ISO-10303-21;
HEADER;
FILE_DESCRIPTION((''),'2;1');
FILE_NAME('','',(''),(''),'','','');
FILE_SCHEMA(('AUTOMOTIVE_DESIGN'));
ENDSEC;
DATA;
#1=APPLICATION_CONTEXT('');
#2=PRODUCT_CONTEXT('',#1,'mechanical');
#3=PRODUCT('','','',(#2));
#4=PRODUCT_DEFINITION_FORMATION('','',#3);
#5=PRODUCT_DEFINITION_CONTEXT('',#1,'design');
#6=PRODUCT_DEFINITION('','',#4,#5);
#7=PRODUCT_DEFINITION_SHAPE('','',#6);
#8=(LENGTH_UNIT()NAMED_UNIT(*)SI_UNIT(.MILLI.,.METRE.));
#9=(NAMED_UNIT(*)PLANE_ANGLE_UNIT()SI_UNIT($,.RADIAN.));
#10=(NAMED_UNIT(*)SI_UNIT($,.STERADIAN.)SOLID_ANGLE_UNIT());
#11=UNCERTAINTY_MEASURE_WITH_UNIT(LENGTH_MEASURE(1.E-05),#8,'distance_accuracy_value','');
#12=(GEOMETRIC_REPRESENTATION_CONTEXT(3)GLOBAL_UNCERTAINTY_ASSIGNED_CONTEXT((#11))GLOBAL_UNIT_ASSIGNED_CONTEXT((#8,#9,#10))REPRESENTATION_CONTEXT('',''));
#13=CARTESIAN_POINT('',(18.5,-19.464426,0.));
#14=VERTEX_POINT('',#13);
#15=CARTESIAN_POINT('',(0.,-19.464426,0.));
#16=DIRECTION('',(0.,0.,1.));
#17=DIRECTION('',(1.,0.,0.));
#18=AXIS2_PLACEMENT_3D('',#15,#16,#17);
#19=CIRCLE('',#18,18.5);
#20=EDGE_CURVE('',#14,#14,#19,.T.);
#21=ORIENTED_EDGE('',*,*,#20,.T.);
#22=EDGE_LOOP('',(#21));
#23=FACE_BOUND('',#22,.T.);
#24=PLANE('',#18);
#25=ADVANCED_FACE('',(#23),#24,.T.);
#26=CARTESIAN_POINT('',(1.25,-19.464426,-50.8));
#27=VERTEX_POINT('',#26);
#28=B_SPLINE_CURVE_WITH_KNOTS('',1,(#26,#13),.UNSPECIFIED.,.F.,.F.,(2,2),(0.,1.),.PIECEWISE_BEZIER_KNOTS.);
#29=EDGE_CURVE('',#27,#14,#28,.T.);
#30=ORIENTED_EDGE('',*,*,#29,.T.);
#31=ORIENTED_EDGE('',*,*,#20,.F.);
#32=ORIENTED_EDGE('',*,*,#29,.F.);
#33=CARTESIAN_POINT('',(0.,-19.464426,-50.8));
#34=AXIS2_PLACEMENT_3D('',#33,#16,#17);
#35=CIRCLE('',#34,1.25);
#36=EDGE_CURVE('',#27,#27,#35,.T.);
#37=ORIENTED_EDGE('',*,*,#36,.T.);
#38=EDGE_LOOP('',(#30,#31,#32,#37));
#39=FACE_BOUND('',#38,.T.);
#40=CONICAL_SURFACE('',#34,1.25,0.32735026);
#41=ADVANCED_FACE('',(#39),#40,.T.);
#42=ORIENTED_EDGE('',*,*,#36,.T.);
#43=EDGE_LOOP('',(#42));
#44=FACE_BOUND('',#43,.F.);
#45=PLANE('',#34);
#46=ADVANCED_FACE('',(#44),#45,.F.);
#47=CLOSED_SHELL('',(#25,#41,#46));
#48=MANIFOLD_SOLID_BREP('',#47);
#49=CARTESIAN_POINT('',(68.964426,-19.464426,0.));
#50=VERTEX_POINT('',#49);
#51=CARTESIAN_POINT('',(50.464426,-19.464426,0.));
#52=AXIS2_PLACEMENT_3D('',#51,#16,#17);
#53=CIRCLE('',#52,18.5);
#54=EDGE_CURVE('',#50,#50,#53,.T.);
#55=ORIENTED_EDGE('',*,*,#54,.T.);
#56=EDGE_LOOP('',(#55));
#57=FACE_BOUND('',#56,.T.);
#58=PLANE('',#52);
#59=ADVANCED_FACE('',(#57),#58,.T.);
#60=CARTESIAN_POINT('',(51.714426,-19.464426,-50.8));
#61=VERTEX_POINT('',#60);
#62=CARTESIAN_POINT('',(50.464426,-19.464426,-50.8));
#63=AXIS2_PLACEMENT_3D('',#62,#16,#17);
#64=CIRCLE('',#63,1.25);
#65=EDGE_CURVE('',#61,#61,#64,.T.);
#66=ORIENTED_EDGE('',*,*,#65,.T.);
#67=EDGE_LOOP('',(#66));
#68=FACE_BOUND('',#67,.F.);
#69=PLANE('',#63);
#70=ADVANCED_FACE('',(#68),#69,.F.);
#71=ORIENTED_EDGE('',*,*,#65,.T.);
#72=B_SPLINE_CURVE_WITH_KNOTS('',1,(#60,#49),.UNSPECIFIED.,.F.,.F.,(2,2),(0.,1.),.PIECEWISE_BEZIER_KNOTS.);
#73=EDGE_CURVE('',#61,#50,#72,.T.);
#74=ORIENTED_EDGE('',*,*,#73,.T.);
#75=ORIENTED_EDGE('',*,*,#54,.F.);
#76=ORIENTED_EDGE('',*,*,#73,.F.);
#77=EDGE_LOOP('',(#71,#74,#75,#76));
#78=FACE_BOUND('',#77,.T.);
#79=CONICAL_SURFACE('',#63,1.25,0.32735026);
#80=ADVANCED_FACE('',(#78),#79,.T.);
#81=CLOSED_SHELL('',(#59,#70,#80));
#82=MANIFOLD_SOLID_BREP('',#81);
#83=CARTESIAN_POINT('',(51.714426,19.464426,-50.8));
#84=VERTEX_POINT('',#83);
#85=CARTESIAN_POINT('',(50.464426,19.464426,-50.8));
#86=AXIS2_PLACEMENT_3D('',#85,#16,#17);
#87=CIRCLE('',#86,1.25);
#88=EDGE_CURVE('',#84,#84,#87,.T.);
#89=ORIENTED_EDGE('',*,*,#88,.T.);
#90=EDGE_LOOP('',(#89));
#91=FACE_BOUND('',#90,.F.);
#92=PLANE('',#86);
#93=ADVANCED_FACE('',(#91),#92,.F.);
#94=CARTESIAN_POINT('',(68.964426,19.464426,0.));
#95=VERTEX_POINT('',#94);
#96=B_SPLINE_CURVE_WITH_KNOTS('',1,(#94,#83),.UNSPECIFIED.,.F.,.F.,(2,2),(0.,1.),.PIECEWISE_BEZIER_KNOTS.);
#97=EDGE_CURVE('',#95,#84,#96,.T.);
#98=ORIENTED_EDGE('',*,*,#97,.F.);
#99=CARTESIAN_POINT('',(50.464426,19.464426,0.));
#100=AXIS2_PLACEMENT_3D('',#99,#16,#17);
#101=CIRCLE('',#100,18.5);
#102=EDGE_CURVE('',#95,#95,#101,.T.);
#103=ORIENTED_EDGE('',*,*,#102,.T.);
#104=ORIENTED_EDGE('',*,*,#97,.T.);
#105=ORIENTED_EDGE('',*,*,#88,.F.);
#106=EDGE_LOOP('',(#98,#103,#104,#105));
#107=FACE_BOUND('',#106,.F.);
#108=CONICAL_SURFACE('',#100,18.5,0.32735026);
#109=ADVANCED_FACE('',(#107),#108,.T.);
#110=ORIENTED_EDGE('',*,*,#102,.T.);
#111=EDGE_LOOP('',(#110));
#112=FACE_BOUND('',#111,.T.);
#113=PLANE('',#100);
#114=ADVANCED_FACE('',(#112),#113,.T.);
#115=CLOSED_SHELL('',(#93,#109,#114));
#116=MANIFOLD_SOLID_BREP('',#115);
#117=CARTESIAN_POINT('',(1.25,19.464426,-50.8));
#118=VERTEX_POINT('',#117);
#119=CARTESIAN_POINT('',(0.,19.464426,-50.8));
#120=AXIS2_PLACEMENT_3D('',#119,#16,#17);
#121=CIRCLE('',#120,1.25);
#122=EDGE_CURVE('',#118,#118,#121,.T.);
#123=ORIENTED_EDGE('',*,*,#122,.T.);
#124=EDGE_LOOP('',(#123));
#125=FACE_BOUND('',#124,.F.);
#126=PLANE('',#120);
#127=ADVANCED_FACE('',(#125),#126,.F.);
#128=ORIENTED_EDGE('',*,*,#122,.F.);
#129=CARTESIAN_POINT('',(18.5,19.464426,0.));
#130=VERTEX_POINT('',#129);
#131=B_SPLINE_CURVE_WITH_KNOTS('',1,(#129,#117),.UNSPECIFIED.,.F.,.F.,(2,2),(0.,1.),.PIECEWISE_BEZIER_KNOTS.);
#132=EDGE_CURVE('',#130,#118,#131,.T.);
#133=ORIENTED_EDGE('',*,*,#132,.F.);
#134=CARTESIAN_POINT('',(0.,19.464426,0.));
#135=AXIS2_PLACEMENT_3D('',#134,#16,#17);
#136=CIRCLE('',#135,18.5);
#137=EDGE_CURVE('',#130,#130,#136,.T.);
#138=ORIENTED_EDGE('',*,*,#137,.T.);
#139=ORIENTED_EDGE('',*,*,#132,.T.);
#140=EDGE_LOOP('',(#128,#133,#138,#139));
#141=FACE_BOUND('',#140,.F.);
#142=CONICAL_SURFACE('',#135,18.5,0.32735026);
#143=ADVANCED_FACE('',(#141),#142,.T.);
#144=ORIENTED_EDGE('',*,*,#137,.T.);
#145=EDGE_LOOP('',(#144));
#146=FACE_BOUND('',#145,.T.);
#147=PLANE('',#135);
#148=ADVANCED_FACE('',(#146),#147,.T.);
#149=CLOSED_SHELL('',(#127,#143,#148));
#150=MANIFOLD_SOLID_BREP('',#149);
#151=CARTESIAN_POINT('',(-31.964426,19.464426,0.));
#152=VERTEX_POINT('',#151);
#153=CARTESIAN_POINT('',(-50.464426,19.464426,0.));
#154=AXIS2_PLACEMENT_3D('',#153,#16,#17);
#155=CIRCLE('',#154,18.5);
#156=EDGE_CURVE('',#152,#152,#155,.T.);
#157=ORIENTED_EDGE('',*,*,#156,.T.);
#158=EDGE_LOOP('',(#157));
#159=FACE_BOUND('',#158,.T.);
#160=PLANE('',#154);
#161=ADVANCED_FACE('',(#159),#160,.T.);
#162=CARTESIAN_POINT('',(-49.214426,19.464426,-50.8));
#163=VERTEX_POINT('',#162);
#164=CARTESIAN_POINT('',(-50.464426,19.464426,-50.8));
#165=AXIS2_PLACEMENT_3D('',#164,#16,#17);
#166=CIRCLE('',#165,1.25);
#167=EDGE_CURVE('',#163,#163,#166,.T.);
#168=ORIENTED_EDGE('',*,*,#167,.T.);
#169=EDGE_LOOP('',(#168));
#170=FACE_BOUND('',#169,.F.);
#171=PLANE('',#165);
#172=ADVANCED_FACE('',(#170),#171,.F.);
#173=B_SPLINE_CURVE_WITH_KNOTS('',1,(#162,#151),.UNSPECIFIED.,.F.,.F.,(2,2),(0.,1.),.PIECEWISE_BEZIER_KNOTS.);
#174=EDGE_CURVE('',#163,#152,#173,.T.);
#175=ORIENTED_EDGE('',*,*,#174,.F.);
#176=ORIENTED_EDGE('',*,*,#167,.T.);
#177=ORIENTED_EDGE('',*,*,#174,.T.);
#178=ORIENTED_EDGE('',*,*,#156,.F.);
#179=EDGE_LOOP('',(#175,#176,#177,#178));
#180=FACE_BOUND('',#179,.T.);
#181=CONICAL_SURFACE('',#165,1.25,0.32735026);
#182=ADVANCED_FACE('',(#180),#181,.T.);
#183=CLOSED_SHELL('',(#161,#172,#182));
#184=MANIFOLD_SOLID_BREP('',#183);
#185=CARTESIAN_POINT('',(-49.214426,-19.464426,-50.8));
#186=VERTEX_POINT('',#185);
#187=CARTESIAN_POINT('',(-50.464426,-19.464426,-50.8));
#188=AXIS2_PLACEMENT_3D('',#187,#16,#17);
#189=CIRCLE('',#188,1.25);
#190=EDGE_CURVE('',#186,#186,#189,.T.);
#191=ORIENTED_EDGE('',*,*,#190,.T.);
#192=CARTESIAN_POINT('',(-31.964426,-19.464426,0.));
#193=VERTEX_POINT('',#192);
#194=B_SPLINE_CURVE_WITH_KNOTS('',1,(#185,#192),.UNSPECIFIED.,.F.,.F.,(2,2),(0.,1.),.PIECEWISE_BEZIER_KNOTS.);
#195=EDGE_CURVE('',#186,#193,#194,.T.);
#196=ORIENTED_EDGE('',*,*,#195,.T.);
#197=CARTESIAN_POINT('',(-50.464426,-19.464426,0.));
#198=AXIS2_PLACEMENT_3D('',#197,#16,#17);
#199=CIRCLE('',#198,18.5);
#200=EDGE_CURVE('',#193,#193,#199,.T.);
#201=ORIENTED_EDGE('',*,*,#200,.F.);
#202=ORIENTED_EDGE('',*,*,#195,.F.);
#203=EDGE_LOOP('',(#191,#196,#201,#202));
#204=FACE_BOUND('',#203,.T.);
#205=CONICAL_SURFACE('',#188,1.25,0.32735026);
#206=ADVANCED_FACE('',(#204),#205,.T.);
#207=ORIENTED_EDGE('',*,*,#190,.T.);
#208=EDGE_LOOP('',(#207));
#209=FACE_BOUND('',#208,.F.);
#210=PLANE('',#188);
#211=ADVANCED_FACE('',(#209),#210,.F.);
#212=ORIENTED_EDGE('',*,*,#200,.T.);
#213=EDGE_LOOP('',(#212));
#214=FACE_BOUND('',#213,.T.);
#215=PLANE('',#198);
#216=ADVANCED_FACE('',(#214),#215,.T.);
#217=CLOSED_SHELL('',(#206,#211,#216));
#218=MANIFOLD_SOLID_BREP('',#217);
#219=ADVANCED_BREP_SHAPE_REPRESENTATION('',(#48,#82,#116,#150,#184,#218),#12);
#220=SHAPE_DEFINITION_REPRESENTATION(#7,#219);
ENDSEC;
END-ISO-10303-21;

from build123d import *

# Parameters (mm, degrees)
F4_R = 1.25
F2_R = 18.5


with BuildPart() as f5:
    # F4 (on offset) → F5 section 0
    with BuildSketch(Plane.XY.offset(-50.8)):
        with Locations((-50.4644264206, 19.4644264206)):
            Circle(F4_R)
    # F2 (on Top) → F5 section 1
    with BuildSketch(Plane.XY):
        with Locations((-50.4644264206, 19.4644264206)):
            Circle(F2_R)
    loft()


with BuildPart() as f6:
    # F2 (on Top) → F6 section 0
    with BuildSketch(Plane.XY):
        with Locations((0, 19.4644264206)):
            Circle(F2_R)
    # F4 (on offset) → F6 section 1
    with BuildSketch(Plane.XY.offset(-50.8)):
        with Locations((0, 19.4644264206)):
            Circle(F4_R)
    loft()


with BuildPart() as f7:
    # F2 (on Top) → F7 section 0
    with BuildSketch(Plane.XY):
        with Locations((50.4644264206, 19.4644264206)):
            Circle(F2_R)
    # F4 (on offset) → F7 section 1
    with BuildSketch(Plane.XY.offset(-50.8)):
        with Locations((50.4644264206, 19.4644264206)):
            Circle(F4_R)
    loft()


with BuildPart() as f8:
    # F4 (on offset) → F8 section 0
    with BuildSketch(Plane.XY.offset(-50.8)):
        with Locations((50.4644264206, -19.4644264206)):
            Circle(F4_R)
    # F2 (on Top) → F8 section 1
    with BuildSketch(Plane.XY):
        with Locations((50.4644264206, -19.4644264206)):
            Circle(F2_R)
    loft()


with BuildPart() as f9:
    # F4 (on offset) → F9 section 0
    with BuildSketch(Plane.XY.offset(-50.8)):
        with Locations((0, -19.4644264206)):
            Circle(F4_R)
    # F2 (on Top) → F9 section 1
    with BuildSketch(Plane.XY):
        with Locations((0, -19.4644264206)):
            Circle(F2_R)
    loft()


with BuildPart() as f10:
    # F4 (on offset) → F10 section 0
    with BuildSketch(Plane.XY.offset(-50.8)):
        with Locations((-50.4644264206, -19.4644264206)):
            Circle(F4_R)
    # F2 (on Top) → F10 section 1
    with BuildSketch(Plane.XY):
        with Locations((-50.4644264206, -19.4644264206)):
            Circle(F2_R)
    loft()


solid = Compound([f5.part, f6.part, f7.part, f8.part, f9.part, f10.part])
